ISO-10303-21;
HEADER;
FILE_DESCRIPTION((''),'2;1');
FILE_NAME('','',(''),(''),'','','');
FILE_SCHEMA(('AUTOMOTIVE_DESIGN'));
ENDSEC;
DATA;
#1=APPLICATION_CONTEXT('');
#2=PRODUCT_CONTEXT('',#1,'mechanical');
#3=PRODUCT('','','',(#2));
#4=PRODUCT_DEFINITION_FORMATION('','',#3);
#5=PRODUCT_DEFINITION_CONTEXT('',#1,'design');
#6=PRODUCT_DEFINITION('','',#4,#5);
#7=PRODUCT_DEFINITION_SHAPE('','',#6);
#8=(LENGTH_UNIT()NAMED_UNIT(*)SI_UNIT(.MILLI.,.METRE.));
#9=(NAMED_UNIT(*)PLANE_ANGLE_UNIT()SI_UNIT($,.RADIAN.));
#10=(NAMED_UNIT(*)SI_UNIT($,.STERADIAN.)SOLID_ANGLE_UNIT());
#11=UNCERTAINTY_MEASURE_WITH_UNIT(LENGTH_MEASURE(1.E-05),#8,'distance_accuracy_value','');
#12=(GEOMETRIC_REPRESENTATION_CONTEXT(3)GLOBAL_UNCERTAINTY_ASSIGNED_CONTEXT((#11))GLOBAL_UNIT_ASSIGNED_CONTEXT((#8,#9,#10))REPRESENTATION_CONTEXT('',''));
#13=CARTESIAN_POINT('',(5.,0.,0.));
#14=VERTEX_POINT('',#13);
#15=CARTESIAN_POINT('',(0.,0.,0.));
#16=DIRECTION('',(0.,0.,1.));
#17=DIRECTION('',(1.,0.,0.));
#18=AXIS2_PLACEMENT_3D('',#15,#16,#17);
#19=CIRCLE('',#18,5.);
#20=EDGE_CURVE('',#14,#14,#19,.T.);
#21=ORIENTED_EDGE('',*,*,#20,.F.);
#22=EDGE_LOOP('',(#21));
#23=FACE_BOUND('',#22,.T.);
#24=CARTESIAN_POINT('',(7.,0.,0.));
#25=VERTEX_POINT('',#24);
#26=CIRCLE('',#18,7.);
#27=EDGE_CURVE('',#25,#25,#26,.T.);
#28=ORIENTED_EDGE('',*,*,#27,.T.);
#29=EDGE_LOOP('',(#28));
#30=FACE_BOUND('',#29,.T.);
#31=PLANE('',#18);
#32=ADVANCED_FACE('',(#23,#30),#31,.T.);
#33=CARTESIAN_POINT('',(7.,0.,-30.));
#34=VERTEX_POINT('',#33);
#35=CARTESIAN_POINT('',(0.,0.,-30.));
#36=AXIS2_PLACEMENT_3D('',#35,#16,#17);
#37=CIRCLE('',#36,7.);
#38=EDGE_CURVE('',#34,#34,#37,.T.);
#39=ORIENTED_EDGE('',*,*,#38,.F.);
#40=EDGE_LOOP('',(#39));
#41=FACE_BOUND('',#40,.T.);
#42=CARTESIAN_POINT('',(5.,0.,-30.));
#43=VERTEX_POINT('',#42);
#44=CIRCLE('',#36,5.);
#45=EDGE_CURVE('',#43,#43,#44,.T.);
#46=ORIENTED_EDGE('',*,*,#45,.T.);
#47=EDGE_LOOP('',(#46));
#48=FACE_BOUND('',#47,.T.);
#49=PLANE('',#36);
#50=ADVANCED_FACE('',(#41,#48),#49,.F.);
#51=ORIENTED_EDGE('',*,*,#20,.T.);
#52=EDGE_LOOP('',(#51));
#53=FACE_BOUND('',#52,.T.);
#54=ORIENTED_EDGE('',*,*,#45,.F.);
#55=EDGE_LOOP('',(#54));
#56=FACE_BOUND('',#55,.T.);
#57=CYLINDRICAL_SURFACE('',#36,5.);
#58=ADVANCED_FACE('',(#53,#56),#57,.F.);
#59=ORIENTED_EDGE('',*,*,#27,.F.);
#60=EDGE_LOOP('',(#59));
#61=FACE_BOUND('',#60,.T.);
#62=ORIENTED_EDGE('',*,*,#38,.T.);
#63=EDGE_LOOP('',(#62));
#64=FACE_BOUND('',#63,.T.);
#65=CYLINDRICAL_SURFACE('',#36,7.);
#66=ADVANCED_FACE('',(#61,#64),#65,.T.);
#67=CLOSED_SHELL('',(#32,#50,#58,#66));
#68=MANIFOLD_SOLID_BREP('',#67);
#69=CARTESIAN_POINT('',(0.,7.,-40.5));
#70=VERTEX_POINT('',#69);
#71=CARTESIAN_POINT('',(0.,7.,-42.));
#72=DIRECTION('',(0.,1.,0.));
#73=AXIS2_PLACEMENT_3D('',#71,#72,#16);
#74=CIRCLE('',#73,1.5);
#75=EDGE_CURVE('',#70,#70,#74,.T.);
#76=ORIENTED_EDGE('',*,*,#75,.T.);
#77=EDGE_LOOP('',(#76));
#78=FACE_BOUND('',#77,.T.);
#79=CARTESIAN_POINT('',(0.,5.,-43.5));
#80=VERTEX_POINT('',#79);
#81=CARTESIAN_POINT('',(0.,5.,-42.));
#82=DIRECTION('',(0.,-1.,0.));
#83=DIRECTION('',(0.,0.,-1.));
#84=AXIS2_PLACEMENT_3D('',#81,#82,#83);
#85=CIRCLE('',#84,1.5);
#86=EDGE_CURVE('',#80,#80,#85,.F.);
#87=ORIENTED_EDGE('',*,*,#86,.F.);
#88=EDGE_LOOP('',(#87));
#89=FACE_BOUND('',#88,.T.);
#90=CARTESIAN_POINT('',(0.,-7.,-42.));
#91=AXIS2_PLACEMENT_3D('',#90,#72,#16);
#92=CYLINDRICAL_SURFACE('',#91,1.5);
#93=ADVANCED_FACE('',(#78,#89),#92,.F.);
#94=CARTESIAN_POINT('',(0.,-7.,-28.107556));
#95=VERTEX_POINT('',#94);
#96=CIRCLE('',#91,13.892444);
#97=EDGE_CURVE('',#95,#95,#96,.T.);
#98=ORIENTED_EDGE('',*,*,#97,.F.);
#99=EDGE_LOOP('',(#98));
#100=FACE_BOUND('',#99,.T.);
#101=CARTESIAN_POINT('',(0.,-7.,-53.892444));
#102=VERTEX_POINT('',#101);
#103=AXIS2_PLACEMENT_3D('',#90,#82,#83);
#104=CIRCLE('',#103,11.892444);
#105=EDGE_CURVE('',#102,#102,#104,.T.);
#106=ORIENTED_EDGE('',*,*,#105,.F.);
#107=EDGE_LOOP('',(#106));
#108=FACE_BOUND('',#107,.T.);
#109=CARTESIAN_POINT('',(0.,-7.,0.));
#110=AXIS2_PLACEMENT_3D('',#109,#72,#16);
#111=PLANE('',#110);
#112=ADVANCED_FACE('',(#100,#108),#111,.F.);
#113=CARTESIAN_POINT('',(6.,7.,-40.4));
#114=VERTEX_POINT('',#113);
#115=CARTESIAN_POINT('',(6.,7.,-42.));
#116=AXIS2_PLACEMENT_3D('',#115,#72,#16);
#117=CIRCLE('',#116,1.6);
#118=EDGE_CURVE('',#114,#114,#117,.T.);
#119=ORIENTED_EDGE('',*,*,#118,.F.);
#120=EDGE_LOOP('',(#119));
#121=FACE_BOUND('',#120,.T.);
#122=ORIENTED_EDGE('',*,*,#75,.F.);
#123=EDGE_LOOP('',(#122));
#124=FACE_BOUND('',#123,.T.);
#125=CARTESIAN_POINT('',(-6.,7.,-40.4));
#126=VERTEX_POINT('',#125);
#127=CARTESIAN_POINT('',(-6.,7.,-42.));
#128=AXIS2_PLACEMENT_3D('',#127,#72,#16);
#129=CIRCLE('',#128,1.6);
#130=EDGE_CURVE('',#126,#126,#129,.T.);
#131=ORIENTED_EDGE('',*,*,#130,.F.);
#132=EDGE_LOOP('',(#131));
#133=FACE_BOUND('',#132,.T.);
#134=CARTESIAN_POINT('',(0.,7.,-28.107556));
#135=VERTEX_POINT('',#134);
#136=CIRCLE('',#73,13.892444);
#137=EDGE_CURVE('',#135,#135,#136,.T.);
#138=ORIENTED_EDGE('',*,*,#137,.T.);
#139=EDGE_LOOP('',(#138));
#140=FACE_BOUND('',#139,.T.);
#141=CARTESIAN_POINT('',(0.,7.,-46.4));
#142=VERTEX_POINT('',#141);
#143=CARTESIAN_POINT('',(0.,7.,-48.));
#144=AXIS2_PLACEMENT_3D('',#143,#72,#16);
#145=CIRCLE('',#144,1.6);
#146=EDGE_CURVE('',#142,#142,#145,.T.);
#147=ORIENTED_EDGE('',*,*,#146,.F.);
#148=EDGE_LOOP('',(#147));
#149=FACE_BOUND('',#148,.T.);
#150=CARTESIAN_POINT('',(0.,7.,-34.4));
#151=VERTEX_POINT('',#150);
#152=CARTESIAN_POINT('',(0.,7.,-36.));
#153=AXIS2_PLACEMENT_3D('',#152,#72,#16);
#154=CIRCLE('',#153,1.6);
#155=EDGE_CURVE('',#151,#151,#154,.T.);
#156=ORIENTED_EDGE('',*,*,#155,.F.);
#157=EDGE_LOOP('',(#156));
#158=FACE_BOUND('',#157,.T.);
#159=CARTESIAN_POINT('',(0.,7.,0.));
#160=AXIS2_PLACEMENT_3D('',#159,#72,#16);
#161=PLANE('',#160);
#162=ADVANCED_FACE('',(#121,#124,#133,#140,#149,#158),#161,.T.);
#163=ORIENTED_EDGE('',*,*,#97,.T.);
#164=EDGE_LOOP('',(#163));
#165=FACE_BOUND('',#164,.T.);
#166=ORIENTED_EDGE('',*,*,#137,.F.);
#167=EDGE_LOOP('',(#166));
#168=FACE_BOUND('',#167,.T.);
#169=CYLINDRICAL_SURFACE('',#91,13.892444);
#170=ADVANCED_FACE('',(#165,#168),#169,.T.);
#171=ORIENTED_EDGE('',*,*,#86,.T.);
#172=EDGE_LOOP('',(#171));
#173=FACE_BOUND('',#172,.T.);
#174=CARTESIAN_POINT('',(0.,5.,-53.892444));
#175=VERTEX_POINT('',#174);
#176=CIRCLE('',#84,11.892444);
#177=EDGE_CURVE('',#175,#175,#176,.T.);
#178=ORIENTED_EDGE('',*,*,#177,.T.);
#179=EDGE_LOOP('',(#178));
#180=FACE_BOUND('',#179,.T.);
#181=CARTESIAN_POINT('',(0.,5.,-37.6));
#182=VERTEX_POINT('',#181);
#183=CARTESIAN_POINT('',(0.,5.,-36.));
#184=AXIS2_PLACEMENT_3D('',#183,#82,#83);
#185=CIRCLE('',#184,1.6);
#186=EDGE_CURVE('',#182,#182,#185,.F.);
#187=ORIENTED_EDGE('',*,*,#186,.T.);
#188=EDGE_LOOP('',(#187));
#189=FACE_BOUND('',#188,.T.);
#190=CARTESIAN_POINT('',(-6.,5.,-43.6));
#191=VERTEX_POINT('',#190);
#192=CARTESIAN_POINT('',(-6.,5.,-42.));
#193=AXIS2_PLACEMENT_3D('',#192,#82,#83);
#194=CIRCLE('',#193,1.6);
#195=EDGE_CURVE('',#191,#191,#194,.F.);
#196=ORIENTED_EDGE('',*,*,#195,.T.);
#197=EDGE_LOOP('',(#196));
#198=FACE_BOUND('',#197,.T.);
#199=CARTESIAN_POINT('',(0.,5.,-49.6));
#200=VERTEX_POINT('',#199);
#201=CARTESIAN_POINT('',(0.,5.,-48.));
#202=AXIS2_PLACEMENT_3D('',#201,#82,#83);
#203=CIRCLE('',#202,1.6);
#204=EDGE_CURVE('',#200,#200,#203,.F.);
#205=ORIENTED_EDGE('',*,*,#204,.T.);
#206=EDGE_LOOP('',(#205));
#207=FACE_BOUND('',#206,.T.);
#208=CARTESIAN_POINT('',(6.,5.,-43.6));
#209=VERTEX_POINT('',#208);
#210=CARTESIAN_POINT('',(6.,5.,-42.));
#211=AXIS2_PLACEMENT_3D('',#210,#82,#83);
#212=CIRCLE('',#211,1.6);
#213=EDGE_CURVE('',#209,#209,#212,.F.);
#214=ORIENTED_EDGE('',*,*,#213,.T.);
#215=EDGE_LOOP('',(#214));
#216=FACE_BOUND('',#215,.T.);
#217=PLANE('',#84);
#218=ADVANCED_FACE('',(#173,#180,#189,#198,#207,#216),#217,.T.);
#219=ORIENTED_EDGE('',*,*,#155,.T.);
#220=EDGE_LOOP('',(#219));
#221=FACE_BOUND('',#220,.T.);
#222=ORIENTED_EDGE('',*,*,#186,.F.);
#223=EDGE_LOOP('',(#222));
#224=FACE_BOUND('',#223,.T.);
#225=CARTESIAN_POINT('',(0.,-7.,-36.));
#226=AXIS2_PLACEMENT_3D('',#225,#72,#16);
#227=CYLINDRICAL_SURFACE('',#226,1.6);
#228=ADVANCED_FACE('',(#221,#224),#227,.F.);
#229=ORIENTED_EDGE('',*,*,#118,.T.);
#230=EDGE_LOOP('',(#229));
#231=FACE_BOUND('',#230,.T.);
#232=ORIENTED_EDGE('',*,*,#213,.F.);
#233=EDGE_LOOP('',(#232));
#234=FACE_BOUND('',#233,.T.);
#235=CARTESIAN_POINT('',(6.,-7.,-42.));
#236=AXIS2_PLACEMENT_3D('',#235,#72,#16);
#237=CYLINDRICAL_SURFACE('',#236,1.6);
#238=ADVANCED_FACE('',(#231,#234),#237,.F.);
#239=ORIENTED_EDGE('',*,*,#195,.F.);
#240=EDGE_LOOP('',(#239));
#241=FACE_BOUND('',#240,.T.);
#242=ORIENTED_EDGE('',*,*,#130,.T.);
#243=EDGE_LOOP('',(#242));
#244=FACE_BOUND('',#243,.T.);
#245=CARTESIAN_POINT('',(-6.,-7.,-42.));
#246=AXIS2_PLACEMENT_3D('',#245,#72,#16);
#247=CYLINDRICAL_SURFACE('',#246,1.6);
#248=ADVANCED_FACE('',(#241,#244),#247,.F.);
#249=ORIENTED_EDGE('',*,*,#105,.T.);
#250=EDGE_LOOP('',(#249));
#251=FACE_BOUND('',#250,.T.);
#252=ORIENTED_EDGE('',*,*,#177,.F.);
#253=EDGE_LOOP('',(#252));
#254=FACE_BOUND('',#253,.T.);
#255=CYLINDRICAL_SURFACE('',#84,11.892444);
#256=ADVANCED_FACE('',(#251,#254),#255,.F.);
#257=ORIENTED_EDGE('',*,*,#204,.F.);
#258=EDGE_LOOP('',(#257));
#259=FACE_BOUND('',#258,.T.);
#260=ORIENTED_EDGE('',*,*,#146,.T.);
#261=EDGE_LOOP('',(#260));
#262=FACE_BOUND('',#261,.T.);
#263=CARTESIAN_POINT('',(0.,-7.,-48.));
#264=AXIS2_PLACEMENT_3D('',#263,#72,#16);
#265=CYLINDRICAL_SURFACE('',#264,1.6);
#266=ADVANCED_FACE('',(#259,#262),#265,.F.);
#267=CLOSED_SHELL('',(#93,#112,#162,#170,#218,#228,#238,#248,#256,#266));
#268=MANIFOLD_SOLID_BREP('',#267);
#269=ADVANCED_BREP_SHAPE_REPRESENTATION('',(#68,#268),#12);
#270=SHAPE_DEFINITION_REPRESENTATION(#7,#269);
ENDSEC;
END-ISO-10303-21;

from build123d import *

# Parameters (mm, degrees)
SKETCH1_R           = 7
SKETCH1_R_2         = 5
BOSS_EXTRUDE1_DEPTH = 30
BOSS_EXTRUDE2_START = 7
SKETCH3_R           = 13.892443989
SKETCH3_R_2         = 1.5
SKETCH3_R_3         = 1.6
BOSS_EXTRUDE2_DEPTH = 14
SKETCH4_R           = 11.892443989
CUT_EXTRUDE1_DEPTH  = 12


with BuildPart() as part:
    # Sketch1 → Boss-Extrude1 (new body)
    with BuildSketch(Plane.XY):
        Circle(SKETCH1_R)
        Circle(SKETCH1_R_2, mode=Mode.SUBTRACT)
    extrude(amount=-BOSS_EXTRUDE1_DEPTH)


with BuildPart() as body_2:
    # Sketch3 → Boss-Extrude2 (new body)
    with BuildSketch(Plane(origin=(0, 0, 0), x_dir=(1, 0, 0), z_dir=(0, 1, 0)).offset(BOSS_EXTRUDE2_START)):
        with Locations(Location((0, 42, 0), (0, 0, 270))):
            Circle(SKETCH3_R)
        with Locations(Location((0, 42, 0), (0, 0, 270))):
            Circle(SKETCH3_R_2, mode=Mode.SUBTRACT)
        with Locations(Location((0, 36, 0), (0, 0, 270))):
            Circle(SKETCH3_R_3, mode=Mode.SUBTRACT)
        with Locations(Location((-6, 42, 0), (0, 0, 270))):
            Circle(SKETCH3_R_3, mode=Mode.SUBTRACT)
        with Locations(Location((6, 42, 0), (0, 0, 270))):
            Circle(SKETCH3_R_3, mode=Mode.SUBTRACT)
        with Locations(Location((0, 48, 0), (0, 0, 270))):
            Circle(SKETCH3_R_3, mode=Mode.SUBTRACT)
    extrude(amount=-BOSS_EXTRUDE2_DEPTH)

    # Sketch4 → Cut-Extrude1 (cut)
    with BuildSketch(Plane.XZ.offset(7)):
        with Locations(Location((0, -42, 0), (0, 0, 270))):
            Circle(SKETCH4_R)
    extrude(amount=-CUT_EXTRUDE1_DEPTH, mode=Mode.SUBTRACT)


solid = Compound([part.part, body_2.part])
